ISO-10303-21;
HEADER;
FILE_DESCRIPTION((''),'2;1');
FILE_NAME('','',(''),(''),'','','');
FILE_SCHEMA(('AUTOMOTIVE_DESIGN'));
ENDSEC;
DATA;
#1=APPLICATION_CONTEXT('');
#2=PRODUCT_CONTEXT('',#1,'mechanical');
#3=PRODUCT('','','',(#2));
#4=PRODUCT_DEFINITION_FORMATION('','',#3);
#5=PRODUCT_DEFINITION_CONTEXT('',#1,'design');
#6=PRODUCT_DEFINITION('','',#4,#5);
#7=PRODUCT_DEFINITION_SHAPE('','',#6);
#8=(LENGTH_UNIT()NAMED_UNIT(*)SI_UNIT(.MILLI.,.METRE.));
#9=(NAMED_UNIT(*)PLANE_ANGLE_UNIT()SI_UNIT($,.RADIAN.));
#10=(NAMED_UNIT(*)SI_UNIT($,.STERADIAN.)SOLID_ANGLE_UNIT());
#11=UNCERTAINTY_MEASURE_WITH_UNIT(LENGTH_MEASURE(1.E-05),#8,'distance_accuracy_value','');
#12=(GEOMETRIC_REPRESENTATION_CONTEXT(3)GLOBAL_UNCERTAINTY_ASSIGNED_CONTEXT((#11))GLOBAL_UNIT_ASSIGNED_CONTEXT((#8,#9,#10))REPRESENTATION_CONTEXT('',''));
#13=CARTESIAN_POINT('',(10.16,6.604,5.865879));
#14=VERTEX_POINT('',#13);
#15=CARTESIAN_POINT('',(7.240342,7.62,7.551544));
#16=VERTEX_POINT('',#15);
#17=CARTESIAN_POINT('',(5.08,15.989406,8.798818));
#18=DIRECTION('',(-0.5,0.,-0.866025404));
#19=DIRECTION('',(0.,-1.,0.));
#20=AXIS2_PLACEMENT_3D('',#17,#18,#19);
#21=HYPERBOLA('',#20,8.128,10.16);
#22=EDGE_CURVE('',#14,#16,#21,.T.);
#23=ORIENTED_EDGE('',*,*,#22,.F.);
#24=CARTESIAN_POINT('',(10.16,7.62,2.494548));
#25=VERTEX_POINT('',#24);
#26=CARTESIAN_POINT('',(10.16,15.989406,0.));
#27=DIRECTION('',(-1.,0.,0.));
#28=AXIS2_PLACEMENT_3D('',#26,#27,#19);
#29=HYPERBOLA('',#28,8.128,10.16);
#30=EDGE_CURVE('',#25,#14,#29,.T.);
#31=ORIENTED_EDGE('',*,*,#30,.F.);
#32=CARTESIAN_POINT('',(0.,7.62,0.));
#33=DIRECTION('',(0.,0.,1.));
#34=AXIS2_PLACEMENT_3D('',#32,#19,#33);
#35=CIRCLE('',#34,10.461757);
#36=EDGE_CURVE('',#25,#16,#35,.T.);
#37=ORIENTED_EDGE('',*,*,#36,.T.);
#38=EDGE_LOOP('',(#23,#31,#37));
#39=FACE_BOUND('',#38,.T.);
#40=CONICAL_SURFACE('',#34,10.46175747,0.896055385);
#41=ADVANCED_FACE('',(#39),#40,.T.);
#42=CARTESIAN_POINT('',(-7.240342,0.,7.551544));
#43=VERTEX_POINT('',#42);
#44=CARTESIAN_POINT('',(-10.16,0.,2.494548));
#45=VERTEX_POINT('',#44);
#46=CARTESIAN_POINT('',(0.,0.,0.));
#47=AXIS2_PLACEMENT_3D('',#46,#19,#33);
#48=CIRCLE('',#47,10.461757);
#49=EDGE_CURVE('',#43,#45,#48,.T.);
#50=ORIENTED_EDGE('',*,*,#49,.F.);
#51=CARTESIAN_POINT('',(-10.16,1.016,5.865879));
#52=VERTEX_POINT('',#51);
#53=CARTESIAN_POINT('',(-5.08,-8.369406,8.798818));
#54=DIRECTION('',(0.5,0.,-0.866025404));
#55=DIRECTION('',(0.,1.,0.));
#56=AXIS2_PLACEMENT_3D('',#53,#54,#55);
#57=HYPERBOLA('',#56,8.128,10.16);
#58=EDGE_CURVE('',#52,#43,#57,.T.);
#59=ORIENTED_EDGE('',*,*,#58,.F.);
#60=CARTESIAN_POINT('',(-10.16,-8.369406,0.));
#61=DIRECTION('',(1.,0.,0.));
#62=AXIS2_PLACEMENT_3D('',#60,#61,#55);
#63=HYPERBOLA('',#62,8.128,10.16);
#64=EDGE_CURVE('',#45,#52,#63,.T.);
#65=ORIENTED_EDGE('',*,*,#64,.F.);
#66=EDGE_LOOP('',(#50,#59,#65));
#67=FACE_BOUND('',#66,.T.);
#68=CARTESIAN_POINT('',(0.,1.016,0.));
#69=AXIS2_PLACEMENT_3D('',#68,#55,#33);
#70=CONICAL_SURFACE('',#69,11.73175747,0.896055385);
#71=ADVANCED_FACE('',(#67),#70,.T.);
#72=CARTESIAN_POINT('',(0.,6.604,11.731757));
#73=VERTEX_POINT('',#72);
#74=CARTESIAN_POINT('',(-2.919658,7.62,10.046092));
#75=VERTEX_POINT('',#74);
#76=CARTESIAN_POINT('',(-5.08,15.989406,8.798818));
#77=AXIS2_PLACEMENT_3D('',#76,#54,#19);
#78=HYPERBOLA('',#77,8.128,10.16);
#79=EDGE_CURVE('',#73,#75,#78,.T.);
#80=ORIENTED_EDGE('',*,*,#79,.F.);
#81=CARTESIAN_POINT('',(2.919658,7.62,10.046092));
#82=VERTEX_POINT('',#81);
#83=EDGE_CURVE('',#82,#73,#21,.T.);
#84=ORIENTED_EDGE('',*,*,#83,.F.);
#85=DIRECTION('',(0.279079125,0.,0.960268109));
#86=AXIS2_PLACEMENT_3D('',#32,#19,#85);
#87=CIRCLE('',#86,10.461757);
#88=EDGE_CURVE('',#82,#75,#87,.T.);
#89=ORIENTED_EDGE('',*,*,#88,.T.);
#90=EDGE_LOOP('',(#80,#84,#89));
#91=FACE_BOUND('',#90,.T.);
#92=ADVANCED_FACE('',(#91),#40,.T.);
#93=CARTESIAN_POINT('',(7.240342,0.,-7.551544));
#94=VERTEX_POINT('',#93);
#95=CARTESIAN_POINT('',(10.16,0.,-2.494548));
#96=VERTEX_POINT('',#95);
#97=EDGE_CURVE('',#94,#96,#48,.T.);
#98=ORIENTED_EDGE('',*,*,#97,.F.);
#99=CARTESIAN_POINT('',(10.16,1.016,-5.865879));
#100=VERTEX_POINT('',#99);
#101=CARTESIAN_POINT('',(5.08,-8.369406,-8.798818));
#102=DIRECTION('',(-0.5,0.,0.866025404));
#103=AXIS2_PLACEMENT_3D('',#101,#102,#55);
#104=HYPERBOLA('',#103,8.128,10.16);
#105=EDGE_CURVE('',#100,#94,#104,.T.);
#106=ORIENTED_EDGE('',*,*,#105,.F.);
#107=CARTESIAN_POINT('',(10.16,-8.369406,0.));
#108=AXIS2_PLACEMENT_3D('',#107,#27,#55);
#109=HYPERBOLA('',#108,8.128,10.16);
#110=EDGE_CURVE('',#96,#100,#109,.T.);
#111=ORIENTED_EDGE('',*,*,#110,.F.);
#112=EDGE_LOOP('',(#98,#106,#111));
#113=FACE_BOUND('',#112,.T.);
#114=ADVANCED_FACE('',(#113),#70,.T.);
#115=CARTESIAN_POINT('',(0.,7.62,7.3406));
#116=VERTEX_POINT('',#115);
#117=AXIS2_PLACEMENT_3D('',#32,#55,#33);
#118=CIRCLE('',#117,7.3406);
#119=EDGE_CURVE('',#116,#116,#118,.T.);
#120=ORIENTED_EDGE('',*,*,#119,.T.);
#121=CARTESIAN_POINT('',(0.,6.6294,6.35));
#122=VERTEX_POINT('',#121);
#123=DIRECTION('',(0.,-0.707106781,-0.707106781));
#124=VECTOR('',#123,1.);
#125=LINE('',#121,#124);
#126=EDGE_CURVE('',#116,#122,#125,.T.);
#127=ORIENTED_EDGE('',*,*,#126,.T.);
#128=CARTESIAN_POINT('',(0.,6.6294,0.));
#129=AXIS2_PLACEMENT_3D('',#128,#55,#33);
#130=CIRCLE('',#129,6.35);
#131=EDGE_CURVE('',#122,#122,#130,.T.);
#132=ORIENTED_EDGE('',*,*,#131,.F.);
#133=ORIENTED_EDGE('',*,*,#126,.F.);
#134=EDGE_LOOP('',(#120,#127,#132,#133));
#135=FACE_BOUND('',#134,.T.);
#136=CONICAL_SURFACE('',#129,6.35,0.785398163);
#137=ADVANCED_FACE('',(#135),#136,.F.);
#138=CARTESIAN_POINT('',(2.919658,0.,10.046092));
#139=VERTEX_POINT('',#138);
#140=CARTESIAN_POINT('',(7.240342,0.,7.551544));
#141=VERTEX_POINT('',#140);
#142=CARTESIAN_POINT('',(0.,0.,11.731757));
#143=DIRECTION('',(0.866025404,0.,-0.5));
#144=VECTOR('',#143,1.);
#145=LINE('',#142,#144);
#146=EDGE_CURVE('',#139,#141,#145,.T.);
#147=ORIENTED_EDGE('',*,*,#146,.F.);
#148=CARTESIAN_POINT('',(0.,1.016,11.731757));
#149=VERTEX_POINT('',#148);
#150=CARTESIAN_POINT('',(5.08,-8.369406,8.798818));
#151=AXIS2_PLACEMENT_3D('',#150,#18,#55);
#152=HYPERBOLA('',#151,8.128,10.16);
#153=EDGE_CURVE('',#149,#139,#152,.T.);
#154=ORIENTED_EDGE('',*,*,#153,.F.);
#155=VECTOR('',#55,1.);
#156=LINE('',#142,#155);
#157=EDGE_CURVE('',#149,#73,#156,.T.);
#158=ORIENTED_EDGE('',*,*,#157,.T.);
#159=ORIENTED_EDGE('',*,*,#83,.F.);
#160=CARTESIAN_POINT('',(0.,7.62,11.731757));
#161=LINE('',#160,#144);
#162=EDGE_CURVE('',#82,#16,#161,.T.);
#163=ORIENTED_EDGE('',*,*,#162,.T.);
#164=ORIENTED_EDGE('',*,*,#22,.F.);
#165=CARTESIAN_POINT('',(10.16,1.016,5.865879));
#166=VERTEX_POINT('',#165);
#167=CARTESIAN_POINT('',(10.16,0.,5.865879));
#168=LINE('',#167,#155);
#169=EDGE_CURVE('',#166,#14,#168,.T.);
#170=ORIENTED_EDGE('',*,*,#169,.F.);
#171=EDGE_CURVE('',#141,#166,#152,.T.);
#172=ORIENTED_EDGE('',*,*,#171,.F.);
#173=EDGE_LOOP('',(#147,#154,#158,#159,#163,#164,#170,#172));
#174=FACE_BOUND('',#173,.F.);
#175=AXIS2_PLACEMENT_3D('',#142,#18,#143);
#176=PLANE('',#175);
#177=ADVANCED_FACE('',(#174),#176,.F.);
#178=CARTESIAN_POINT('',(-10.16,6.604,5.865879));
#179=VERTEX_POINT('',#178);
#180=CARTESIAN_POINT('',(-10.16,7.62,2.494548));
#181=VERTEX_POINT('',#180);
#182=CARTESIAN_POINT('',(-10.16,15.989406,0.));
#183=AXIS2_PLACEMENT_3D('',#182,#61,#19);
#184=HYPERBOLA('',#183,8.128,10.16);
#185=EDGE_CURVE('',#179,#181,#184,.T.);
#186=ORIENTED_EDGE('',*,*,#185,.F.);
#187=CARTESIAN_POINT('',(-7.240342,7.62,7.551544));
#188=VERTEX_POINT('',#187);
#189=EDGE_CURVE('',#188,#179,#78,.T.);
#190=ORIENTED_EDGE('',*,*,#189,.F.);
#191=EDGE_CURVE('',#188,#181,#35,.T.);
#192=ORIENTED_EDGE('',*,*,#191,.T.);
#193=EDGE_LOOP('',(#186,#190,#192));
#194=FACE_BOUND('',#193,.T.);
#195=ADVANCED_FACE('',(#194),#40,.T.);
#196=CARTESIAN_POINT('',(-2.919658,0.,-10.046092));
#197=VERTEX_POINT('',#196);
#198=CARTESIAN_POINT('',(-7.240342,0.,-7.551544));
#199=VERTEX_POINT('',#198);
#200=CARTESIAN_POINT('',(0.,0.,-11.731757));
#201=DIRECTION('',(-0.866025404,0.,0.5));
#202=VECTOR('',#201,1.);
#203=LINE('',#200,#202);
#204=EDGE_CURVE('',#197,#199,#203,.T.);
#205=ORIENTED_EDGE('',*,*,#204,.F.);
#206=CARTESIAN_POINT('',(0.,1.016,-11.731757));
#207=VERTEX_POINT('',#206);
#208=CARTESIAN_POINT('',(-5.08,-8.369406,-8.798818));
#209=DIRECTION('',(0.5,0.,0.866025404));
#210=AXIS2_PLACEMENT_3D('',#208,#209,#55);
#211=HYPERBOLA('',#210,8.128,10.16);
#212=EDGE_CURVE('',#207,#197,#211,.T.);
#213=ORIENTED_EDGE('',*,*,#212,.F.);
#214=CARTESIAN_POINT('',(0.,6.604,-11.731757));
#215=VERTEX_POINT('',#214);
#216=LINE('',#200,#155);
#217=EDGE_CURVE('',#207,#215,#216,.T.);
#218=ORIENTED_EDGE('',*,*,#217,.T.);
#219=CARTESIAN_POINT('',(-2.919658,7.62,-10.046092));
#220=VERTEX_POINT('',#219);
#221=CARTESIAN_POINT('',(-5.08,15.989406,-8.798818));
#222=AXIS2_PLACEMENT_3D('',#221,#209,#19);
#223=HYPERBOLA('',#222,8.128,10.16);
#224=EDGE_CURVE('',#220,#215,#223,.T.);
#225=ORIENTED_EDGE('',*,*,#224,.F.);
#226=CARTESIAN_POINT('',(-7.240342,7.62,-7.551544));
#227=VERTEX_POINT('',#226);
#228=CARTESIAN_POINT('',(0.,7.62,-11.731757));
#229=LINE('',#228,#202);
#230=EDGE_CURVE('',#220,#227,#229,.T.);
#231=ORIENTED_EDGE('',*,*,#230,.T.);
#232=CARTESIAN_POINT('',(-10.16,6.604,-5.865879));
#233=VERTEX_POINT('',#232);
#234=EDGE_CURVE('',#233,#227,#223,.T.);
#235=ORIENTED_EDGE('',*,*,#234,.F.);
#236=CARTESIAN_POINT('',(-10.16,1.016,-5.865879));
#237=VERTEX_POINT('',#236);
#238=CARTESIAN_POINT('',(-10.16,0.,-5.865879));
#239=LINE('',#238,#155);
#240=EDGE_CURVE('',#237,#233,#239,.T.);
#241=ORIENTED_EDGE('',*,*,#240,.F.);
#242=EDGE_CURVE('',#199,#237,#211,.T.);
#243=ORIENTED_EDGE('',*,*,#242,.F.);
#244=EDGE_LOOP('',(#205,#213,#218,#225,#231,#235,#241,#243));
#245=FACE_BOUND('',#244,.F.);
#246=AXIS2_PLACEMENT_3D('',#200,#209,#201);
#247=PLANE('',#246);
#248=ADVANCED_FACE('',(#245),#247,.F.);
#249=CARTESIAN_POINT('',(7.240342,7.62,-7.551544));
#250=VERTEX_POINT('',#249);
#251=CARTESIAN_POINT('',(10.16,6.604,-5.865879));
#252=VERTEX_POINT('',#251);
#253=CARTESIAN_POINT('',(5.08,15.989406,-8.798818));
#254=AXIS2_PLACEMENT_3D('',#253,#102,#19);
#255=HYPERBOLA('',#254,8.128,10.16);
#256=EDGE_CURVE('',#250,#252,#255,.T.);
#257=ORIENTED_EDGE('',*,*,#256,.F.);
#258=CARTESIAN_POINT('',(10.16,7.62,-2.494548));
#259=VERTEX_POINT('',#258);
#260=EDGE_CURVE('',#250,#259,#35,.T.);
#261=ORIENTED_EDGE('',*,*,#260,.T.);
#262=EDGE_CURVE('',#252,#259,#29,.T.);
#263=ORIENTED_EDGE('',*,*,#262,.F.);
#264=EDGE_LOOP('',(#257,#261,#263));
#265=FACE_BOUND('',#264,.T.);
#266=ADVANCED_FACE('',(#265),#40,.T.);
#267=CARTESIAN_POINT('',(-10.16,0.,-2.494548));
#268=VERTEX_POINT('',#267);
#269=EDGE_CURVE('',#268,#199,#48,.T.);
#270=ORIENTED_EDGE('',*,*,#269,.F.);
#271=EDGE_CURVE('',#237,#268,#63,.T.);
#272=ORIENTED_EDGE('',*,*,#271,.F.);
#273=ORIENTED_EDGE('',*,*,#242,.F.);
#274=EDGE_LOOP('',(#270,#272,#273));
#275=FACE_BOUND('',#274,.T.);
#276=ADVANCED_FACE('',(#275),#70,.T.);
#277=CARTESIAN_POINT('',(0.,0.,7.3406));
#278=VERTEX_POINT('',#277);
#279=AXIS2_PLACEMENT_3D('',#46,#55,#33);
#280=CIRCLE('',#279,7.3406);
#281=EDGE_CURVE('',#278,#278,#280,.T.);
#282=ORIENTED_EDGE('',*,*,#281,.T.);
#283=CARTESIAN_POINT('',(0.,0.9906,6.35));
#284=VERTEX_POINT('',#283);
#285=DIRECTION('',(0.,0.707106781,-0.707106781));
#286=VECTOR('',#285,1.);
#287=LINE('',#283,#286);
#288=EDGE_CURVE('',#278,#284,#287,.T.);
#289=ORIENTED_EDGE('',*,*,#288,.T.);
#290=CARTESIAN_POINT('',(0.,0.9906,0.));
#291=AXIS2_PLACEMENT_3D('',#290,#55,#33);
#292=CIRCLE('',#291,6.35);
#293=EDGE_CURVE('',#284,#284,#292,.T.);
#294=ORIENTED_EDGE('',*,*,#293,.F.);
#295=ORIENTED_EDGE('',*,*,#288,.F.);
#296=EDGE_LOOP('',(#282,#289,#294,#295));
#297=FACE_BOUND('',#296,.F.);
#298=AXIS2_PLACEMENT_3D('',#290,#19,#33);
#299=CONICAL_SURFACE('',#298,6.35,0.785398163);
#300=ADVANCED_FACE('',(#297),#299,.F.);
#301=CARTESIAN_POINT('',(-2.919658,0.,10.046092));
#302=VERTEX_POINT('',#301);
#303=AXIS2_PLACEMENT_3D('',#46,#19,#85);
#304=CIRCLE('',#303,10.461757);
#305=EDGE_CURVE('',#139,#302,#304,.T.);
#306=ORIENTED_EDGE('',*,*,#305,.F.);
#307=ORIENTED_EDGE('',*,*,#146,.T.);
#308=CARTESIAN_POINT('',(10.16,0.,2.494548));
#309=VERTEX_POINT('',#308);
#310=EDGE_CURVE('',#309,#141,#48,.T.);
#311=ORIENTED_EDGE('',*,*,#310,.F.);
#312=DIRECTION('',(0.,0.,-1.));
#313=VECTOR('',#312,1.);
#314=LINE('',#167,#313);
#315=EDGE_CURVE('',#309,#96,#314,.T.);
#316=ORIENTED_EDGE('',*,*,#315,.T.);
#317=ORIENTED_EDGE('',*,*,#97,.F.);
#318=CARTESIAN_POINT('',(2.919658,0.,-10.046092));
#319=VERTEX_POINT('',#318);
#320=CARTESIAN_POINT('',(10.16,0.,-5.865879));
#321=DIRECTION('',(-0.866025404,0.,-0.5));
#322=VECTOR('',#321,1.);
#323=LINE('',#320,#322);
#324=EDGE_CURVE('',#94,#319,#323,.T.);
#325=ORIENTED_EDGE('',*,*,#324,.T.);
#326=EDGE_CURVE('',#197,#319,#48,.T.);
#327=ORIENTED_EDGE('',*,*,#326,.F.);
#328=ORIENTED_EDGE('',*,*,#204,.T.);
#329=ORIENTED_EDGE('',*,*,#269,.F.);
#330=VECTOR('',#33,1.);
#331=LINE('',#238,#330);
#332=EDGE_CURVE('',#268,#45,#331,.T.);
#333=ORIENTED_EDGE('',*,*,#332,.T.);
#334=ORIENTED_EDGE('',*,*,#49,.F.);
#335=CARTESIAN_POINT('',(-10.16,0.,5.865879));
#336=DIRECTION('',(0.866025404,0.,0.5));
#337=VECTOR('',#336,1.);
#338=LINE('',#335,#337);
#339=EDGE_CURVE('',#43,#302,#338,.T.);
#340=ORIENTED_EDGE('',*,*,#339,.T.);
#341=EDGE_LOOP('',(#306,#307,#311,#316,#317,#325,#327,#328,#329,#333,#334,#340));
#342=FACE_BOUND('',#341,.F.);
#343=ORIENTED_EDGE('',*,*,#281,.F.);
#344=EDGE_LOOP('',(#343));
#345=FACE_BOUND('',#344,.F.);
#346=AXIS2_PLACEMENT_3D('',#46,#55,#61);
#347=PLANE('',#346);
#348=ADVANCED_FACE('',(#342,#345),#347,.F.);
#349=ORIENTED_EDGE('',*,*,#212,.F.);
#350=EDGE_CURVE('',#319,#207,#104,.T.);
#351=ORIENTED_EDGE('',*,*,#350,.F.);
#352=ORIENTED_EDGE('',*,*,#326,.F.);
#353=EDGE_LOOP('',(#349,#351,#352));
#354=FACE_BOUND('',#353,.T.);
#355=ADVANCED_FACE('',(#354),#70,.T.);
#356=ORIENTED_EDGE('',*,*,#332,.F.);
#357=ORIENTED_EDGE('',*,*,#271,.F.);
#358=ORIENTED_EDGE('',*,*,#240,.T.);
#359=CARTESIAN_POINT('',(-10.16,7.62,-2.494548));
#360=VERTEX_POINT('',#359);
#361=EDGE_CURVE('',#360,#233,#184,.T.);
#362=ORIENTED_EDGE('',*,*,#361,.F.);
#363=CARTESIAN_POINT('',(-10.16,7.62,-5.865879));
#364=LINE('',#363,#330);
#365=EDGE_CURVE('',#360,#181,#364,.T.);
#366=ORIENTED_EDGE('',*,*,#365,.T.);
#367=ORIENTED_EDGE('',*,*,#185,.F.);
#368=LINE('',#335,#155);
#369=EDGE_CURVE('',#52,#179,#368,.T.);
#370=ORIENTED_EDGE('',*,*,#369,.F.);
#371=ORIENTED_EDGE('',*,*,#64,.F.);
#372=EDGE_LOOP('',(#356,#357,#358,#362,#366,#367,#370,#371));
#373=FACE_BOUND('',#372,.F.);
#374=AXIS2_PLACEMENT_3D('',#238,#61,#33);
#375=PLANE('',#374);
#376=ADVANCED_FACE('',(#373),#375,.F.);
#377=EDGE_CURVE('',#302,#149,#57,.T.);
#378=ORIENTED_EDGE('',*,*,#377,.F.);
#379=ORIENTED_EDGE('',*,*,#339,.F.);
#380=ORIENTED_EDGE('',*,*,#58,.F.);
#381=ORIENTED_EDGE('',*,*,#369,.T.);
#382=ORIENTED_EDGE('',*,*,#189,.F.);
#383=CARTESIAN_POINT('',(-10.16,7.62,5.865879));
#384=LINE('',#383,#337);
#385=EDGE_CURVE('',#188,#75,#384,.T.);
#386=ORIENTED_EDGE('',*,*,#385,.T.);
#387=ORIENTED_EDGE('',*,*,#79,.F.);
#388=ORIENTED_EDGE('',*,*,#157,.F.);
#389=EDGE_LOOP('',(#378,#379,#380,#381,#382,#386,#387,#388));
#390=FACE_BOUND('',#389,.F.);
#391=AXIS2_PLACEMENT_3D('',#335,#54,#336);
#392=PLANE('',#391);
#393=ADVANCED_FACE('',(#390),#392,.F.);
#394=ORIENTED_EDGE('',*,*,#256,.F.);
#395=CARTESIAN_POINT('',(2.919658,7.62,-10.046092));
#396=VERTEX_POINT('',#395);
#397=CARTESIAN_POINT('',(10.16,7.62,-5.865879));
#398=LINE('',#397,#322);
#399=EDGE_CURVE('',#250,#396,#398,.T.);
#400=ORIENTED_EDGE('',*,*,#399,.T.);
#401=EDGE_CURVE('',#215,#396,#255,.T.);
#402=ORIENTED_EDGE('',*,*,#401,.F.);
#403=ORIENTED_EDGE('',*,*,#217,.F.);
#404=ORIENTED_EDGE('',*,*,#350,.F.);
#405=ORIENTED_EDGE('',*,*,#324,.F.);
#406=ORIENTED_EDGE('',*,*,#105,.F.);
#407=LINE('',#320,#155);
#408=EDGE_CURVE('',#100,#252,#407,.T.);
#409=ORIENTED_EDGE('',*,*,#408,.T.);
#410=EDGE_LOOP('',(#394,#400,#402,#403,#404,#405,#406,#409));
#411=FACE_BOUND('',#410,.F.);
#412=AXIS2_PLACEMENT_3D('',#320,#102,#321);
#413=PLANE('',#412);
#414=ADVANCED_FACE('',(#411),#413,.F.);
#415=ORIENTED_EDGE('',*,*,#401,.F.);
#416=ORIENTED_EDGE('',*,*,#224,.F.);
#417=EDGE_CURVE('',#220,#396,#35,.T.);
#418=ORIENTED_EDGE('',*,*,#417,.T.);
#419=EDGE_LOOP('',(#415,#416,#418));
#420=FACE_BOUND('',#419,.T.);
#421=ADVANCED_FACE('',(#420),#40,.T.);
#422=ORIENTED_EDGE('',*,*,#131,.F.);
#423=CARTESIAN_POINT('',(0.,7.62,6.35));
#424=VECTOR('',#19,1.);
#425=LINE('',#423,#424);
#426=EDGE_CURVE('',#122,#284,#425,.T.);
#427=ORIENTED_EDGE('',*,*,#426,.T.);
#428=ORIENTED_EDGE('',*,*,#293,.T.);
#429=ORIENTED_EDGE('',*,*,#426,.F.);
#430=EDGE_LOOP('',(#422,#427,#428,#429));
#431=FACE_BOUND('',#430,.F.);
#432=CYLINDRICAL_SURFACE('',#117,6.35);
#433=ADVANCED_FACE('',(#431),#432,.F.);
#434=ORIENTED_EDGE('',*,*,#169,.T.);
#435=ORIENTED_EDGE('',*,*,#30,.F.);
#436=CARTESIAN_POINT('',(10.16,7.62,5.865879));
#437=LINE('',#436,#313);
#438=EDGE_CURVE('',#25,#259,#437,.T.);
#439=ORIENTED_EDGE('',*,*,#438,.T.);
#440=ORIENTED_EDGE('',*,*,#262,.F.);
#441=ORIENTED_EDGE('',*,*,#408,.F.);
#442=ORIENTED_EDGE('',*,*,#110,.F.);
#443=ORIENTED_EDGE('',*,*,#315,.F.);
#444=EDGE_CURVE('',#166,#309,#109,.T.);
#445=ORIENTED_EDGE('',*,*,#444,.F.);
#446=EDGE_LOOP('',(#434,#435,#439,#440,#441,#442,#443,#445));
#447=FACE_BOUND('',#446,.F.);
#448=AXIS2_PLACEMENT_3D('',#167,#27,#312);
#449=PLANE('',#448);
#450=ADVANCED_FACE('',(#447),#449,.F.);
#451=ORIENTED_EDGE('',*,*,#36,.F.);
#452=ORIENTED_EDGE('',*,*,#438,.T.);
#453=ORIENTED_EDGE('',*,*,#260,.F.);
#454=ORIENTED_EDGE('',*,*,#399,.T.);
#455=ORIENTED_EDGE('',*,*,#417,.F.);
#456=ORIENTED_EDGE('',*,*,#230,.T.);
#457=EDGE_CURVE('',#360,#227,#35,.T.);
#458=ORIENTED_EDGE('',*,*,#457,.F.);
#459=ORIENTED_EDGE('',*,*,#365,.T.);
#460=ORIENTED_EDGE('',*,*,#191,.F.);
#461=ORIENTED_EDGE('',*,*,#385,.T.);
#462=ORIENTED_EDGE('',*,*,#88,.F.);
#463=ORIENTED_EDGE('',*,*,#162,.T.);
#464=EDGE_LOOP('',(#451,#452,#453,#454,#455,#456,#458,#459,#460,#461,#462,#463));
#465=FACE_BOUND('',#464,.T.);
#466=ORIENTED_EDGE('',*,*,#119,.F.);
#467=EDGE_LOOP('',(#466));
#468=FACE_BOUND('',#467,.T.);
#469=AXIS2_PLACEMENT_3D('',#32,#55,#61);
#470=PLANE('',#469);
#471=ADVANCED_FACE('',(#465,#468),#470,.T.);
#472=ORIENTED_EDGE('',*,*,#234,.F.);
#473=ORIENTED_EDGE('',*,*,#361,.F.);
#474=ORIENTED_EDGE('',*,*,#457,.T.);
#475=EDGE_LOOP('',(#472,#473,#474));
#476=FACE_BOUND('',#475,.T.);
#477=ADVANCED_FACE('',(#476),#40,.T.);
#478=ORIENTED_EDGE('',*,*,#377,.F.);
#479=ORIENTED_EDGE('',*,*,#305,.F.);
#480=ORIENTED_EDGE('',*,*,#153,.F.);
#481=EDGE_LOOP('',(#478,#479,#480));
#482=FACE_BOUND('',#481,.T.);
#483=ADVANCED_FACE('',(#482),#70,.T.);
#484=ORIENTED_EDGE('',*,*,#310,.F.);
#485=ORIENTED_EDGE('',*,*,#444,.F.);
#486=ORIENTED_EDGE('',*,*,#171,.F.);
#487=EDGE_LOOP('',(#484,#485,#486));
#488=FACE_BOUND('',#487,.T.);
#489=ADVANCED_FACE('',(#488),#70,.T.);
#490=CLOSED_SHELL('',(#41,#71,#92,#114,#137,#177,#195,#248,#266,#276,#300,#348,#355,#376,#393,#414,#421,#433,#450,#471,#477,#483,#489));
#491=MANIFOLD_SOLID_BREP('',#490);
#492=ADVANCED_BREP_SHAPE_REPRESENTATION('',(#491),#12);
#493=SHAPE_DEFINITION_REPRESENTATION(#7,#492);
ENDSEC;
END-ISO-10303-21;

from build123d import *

# Parameters (mm, degrees)
BOSS_EXTRUDE1_DEPTH = 7.62
SKETCH2_R           = 6.35
CUT_EXTRUDE1_DEPTH  = 18.289422585
CHAMFER1_SIZE       = 0.9906


with BuildPart() as part:
    # Sketch1 → Boss-Extrude1 (new body)
    with BuildSketch(Plane(origin=(0, 0, 0), x_dir=(1, 0, 0), z_dir=(0, 1, 0))):
        Polygon((0, -11.73175747), (10.16, -5.865878735), (10.16, 5.865878735), (0, 11.73175747), (-10.16, 5.865878735), (-10.16, -5.865878735), align=None)
    extrude(amount=BOSS_EXTRUDE1_DEPTH)

    # Sketch2 → Cut-Extrude1 (cut, through all)
    with BuildSketch(Plane(origin=(0, 7.62, 0), x_dir=(1, 0, 0), z_dir=(0, 1, 0))):
        with Locations(Location((0, 0, 0), (0, 0, 270))):
            Circle(SKETCH2_R)
    extrude(amount=-CUT_EXTRUDE1_DEPTH, mode=Mode.SUBTRACT)

    # Chamfer1
    chamfer1_edges = [part.edges().sort_by_distance(p)[0] for p in [
        (0, 0, -6.35),
        (0, 7.62, -6.35),
    ]]
    chamfer(chamfer1_edges, length=CHAMFER1_SIZE)

    # Sketch3 → Cut-Revolve1 (revolve, cut)
    with BuildSketch(Plane(origin=(0, 0, 0), x_dir=(0, 0, -1), z_dir=(1, 0, 0))):
        Polygon((-11.73175747, 7.62), (-10.46175747, 7.62), (-11.73175747, 6.604), align=None)
        Polygon((-11.73175747, 0), (-11.73175747, 1.016), (-10.46175747, 0), align=None)
    revolve(axis=Axis((0, 10.605597555, 0), (0, -1, 0)), mode=Mode.SUBTRACT)


solid = part.part
